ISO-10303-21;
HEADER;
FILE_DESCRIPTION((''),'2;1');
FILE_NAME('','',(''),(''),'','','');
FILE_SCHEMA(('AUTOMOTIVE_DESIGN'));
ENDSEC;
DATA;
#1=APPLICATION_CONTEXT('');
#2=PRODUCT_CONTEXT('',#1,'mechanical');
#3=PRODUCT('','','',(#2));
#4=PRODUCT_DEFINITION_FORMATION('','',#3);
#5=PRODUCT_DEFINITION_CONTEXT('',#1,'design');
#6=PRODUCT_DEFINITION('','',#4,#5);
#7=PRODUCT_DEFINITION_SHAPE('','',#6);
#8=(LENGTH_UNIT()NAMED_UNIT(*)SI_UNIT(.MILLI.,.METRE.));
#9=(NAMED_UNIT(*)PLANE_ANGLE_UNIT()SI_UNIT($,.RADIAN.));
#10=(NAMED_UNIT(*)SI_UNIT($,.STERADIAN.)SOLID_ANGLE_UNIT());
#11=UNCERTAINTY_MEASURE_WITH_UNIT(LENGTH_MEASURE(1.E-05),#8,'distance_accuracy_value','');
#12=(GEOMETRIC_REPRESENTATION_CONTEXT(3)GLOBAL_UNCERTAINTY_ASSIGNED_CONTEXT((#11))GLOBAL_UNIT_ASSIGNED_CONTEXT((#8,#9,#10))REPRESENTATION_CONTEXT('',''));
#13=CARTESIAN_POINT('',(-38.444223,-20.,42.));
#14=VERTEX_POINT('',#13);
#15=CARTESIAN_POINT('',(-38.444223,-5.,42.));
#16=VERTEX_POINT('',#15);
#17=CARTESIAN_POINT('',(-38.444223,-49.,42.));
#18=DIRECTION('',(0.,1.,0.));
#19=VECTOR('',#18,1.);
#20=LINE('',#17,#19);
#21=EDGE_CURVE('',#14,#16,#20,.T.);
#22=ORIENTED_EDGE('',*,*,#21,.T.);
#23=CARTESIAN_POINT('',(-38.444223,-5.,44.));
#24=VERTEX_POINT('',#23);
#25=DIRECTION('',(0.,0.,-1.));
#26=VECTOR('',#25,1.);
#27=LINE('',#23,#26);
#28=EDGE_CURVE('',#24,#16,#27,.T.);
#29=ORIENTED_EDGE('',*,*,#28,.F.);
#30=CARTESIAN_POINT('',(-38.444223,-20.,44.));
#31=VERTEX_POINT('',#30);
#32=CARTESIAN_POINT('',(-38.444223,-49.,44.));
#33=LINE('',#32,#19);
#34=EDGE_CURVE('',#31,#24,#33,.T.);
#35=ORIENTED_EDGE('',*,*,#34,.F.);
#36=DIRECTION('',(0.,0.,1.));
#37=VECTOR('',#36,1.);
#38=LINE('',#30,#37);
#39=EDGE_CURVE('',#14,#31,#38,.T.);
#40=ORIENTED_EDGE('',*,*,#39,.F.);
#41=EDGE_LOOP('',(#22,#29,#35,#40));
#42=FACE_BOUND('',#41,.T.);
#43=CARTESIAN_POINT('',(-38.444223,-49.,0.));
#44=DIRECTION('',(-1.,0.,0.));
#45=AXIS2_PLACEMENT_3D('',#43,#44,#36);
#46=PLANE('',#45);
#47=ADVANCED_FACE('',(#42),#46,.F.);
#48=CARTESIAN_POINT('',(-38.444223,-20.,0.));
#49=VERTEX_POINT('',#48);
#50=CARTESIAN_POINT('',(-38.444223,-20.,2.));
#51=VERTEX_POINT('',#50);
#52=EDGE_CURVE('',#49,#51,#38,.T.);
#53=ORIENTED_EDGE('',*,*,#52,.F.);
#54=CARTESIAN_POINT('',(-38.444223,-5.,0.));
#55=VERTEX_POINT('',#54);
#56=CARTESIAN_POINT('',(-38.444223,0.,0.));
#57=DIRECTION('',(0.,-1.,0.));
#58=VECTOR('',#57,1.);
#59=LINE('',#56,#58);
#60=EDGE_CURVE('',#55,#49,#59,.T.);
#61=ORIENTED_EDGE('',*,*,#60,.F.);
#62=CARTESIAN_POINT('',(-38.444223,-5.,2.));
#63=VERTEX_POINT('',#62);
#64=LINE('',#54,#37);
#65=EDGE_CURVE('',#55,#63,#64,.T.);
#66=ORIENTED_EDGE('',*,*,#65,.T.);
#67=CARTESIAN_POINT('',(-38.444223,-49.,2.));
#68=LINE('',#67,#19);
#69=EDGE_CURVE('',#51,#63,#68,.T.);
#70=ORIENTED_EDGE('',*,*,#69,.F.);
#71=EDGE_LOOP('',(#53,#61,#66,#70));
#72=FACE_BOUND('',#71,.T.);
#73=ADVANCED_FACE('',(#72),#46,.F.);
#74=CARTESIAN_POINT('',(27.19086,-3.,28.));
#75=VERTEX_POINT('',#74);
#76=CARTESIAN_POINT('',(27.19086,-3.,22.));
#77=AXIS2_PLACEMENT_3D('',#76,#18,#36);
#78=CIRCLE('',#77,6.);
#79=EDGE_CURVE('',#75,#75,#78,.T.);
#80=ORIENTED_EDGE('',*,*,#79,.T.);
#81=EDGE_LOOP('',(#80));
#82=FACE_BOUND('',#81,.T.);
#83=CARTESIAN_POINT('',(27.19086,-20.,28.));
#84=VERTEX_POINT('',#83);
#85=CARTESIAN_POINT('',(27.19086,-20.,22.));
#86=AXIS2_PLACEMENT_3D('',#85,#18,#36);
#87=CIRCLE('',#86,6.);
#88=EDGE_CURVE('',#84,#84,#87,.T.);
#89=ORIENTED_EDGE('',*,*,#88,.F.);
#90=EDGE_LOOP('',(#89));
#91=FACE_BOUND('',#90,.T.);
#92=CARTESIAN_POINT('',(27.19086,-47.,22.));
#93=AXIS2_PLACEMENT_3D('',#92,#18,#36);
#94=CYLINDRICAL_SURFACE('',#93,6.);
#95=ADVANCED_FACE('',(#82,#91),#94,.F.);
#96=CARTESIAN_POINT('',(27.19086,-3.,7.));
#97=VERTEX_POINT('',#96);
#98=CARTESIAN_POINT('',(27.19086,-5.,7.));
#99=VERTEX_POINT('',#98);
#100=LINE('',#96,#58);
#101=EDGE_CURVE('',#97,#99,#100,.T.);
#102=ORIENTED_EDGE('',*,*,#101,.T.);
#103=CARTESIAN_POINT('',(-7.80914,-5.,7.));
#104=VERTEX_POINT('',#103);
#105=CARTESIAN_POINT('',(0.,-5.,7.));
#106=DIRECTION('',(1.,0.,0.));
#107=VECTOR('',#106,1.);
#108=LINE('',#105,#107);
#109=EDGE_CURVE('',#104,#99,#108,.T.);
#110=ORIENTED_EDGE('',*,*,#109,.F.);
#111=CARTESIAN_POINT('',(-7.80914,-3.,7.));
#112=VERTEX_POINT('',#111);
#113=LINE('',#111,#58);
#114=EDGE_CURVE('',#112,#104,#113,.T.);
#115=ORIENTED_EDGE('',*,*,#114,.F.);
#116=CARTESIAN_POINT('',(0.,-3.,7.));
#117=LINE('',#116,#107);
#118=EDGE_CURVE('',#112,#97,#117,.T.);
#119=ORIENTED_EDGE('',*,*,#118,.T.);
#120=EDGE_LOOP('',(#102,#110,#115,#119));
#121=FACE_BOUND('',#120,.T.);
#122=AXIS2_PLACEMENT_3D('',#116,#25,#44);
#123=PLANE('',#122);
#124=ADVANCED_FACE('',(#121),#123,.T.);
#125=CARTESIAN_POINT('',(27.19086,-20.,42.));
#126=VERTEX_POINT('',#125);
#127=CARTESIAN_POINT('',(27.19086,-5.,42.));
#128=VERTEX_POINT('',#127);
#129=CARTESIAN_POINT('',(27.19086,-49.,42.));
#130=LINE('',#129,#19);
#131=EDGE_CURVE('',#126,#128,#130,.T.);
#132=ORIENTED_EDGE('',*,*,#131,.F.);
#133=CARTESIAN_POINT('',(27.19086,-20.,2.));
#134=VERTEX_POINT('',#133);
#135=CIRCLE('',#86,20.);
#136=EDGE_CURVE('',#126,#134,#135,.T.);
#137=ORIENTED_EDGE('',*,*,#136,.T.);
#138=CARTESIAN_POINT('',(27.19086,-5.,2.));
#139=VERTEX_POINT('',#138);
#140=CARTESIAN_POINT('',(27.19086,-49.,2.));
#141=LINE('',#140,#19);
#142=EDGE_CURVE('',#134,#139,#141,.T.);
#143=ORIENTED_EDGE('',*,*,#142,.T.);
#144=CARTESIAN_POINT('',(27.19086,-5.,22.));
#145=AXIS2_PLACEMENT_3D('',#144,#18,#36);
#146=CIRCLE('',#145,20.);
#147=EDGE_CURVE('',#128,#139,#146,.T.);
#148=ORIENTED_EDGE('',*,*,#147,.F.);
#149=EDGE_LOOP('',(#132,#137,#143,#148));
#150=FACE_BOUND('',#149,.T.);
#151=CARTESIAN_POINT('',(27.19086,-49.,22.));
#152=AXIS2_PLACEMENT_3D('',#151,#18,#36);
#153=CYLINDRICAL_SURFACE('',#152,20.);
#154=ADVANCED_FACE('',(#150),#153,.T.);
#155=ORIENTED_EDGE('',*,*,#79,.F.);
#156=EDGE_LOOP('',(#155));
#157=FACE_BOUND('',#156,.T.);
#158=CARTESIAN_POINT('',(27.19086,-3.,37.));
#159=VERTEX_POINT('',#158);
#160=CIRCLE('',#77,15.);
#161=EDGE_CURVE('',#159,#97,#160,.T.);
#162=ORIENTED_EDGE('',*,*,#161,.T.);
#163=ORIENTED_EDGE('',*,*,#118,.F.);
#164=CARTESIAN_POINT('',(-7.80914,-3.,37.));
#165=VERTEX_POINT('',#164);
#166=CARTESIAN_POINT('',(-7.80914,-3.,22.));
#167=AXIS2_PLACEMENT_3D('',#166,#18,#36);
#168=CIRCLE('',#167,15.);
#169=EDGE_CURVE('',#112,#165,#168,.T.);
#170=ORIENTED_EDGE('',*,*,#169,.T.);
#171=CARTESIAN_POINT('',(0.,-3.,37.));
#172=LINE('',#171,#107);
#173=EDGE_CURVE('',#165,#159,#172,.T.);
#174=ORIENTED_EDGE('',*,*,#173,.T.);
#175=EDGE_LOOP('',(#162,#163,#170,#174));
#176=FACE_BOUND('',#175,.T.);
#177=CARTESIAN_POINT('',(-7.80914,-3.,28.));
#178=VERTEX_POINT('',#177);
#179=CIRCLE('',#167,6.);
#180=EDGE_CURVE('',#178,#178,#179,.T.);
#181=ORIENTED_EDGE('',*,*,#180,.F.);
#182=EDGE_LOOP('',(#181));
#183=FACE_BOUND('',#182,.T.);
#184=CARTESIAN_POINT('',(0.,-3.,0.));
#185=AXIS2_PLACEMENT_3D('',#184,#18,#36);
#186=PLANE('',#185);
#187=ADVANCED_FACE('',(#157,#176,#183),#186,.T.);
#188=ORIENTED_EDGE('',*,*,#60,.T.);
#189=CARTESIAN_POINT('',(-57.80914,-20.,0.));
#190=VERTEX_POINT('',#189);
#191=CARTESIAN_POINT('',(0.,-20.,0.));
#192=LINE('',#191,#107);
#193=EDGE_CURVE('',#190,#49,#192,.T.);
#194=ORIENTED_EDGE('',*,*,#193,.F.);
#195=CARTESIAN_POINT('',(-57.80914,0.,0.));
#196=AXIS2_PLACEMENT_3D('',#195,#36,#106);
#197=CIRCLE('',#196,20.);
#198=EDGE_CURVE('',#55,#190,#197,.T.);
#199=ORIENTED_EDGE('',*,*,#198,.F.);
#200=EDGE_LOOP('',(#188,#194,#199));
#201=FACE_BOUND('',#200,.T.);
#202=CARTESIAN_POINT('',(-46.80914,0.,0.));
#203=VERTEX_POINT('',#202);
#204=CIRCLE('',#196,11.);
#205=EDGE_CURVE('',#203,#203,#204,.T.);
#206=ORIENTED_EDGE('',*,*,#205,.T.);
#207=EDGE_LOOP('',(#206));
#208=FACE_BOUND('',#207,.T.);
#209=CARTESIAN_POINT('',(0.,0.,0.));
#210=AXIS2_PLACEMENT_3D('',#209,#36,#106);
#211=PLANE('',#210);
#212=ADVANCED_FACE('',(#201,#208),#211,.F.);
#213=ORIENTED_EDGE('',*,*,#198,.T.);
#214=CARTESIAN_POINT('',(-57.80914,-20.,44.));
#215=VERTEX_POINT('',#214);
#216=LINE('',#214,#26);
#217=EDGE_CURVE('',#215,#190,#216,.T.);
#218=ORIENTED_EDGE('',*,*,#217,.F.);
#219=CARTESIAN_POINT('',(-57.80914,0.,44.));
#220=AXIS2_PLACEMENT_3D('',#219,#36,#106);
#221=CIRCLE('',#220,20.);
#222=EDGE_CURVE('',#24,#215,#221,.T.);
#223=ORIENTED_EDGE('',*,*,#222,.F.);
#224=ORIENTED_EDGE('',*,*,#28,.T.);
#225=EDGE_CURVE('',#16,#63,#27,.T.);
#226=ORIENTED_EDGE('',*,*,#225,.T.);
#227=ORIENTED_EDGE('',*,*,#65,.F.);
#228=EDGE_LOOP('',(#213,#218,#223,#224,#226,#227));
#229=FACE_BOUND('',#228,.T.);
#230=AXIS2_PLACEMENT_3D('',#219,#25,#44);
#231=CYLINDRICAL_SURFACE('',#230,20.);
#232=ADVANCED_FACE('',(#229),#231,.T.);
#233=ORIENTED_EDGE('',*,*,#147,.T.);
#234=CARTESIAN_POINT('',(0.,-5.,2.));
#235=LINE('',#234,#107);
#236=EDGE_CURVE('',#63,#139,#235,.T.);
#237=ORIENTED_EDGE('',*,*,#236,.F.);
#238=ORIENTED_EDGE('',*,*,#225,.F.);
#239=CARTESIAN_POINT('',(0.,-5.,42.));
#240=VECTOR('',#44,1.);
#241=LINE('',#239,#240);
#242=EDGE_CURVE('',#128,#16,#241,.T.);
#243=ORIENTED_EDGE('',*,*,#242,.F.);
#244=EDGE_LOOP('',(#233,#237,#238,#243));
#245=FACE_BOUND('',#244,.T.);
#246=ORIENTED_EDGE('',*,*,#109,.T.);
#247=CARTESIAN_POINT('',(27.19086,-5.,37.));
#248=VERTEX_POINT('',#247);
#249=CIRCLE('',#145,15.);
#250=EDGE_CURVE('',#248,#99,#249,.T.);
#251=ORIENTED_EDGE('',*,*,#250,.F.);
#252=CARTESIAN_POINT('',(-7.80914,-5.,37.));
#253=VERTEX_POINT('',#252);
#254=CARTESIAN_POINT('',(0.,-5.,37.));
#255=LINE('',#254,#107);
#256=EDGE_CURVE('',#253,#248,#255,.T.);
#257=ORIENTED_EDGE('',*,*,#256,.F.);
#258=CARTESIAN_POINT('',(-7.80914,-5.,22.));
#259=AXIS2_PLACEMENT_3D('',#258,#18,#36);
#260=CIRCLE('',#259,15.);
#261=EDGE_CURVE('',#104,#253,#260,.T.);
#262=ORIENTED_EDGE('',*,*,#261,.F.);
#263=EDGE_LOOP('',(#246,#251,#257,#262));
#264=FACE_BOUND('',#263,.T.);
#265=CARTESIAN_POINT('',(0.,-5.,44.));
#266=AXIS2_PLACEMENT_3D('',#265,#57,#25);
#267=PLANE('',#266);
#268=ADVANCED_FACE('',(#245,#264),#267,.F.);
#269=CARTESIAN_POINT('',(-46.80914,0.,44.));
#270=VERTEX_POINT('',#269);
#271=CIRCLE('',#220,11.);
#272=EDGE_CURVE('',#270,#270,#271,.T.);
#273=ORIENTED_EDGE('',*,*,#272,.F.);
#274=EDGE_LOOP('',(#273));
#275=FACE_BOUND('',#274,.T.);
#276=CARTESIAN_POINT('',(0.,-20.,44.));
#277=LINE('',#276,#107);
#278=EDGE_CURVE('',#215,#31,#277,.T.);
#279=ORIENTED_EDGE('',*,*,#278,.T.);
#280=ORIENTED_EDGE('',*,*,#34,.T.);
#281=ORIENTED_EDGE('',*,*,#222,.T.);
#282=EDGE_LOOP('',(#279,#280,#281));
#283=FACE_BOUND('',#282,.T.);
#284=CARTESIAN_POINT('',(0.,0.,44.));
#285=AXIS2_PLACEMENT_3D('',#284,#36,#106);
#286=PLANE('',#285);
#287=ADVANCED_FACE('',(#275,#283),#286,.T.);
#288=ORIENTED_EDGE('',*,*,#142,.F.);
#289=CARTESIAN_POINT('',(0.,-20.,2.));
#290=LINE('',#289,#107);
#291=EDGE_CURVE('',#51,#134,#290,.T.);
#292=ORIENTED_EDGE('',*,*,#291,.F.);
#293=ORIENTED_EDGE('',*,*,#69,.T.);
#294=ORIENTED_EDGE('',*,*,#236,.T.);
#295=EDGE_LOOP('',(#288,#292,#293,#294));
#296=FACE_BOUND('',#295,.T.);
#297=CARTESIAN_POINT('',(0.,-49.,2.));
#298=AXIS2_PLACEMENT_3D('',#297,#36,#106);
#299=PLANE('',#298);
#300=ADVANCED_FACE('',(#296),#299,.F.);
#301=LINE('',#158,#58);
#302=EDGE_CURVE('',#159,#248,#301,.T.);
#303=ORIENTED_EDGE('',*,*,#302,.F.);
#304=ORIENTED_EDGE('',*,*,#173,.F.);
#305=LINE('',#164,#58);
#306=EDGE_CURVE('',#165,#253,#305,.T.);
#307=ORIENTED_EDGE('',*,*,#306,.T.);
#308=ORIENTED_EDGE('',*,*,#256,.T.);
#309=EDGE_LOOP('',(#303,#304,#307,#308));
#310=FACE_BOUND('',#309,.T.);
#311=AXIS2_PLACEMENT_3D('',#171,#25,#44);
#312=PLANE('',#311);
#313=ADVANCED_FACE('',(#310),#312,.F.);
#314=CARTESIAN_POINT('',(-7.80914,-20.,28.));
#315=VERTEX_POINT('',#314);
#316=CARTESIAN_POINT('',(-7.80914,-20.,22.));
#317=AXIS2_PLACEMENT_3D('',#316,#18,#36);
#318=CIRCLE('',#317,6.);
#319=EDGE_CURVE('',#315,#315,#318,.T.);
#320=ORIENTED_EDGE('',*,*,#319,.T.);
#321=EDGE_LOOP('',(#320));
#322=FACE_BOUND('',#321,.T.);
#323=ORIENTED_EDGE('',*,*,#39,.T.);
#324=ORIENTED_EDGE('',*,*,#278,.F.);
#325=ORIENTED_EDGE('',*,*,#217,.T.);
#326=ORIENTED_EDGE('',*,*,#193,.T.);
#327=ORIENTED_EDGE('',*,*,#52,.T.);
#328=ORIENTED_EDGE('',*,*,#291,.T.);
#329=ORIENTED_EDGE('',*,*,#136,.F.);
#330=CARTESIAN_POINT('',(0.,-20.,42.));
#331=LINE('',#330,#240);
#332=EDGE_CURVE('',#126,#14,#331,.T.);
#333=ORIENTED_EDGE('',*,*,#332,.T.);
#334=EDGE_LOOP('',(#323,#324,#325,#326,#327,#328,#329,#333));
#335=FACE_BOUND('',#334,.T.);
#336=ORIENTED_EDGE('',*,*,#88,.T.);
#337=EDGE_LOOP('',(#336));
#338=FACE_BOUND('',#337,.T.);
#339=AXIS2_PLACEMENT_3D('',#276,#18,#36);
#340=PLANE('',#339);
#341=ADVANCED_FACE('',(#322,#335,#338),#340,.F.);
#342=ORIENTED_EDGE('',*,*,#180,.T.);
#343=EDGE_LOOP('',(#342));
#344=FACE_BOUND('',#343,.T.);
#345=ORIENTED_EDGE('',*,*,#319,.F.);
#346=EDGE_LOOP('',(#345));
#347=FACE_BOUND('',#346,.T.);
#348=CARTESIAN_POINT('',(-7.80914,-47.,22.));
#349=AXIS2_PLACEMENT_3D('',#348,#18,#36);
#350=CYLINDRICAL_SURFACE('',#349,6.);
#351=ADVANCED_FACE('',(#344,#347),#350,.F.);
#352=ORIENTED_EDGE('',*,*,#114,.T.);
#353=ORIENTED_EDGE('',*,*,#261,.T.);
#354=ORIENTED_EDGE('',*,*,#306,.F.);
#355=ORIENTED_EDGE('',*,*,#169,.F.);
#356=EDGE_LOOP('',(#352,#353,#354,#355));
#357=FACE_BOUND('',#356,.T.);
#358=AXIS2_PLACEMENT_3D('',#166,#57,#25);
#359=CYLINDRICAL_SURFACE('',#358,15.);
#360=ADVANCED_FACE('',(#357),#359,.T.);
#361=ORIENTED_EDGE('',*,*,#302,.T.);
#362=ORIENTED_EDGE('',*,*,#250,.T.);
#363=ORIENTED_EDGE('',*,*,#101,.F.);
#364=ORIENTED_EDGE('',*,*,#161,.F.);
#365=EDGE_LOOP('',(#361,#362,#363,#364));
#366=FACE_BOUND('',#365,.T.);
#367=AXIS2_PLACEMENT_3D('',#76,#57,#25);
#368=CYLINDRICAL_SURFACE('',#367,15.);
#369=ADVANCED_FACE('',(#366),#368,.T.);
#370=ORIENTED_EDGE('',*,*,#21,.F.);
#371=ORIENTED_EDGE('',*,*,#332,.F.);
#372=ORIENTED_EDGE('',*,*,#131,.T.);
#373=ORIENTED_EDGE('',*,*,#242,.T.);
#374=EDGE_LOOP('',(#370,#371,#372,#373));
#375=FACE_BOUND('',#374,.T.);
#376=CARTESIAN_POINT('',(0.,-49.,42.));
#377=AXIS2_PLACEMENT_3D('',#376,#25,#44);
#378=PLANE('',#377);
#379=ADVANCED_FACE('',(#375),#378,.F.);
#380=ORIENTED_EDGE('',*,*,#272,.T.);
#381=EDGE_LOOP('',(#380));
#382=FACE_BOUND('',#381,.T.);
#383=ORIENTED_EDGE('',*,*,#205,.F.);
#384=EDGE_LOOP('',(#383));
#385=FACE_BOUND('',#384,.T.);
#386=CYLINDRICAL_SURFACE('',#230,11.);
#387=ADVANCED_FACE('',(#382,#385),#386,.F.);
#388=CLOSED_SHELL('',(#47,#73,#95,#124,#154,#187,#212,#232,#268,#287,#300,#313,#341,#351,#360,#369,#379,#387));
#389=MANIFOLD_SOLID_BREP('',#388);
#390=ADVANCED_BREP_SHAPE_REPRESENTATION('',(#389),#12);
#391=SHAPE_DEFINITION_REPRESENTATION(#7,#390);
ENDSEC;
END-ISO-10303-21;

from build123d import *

# Parameters (mm, degrees)
SKETCH1_R           = 11
BOSS_EXTRUDE1_DEPTH = 44
BOSS_EXTRUDE2_DEPTH = 44
CUT_EXTRUDE1_DEPTH  = 44
BOSS_EXTRUDE3_DEPTH = 2
SKETCH4_R           = 6
CUT_EXTRUDE2_DEPTH  = 44


with BuildPart() as part:
    # Sketch1 → Boss-Extrude1 (new body)
    with BuildSketch(Plane.XY):
        with BuildLine():
            ThreePointArc((-37.809139785, 0), (-71.951275409, 14.142135624), (-57.809139785, -20))
            ThreePointArc((-57.809139785, -20), (-45.561691071, -15.811388301), (-38.444223054, -5))
            ThreePointArc((-38.444223054, -5), (-37.96854586, -2.52008585), (-37.809139785, 0))
        make_face()
        with Locations((-57.809139785, 0)):
            Circle(SKETCH1_R, mode=Mode.SUBTRACT)
    extrude(amount=BOSS_EXTRUDE1_DEPTH)

    # Sketch1<5> → Boss-Extrude2 (add)
    with BuildSketch(Plane.XY):
        with BuildLine():
            ThreePointArc((-38.444223054, -5), (-45.561691071, -15.811388301), (-57.809139785, -20))
            Line((-57.809139785, -20), (47.190860215, -20))
            Line((47.190860215, -20), (47.190860215, -5))
            Line((47.190860215, -5), (-38.444223054, -5))
        make_face()
    extrude(amount=BOSS_EXTRUDE2_DEPTH)

    # Sketch2 → Cut-Extrude1 (cut)
    with BuildSketch(Plane(origin=(0, -5, 0), x_dir=(1, 0, 0), z_dir=(0, 1, 0))):
        with BuildLine():
            Line((47.190860215, 0), (-38.444223054, 0))
            Line((-38.444223054, 0), (-38.444223054, -2))
            Line((-38.444223054, -2), (27.190860215, -2))
            ThreePointArc((27.190860215, -2), (41.332995839, -7.857864376), (47.190860215, -22))
            Line((47.190860215, -22), (47.190860215, 0))
        make_face()
        with BuildLine():
            Line((27.190860215, -42), (-38.444223054, -42))
            Line((-38.444223054, -42), (-38.444223054, -44))
            Line((-38.444223054, -44), (47.190860215, -44))
            Line((47.190860215, -44), (47.190860215, -22))
            ThreePointArc((47.190860215, -22), (41.332995839, -36.142135624), (27.190860215, -42))
        make_face()
    extrude(amount=-CUT_EXTRUDE1_DEPTH, mode=Mode.SUBTRACT)

    # Sketch3 → Boss-Extrude3 (add)
    with BuildSketch(Plane(origin=(0, -5, 0), x_dir=(1, 0, 0), z_dir=(0, 1, 0))):
        with BuildLine():
            Line((-7.809139785, -37), (27.190860215, -37))
            ThreePointArc((27.190860215, -37), (42.190860215, -22), (27.190860215, -7))
            Line((27.190860215, -7), (-7.809139785, -7))
            ThreePointArc((-7.809139785, -7), (-22.809139785, -22), (-7.809139785, -37))
        make_face()
    extrude(amount=BOSS_EXTRUDE3_DEPTH)

    # Sketch4 → Cut-Extrude2 (cut)
    with BuildSketch(Plane(origin=(0, -3, 0), x_dir=(1, 0, 0), z_dir=(0, 1, 0))):
        with Locations((27.190860215, -22)):
            Circle(SKETCH4_R)
        with Locations((-7.809139785, -22)):
            Circle(SKETCH4_R)
    extrude(amount=-CUT_EXTRUDE2_DEPTH, mode=Mode.SUBTRACT)


solid = part.part
